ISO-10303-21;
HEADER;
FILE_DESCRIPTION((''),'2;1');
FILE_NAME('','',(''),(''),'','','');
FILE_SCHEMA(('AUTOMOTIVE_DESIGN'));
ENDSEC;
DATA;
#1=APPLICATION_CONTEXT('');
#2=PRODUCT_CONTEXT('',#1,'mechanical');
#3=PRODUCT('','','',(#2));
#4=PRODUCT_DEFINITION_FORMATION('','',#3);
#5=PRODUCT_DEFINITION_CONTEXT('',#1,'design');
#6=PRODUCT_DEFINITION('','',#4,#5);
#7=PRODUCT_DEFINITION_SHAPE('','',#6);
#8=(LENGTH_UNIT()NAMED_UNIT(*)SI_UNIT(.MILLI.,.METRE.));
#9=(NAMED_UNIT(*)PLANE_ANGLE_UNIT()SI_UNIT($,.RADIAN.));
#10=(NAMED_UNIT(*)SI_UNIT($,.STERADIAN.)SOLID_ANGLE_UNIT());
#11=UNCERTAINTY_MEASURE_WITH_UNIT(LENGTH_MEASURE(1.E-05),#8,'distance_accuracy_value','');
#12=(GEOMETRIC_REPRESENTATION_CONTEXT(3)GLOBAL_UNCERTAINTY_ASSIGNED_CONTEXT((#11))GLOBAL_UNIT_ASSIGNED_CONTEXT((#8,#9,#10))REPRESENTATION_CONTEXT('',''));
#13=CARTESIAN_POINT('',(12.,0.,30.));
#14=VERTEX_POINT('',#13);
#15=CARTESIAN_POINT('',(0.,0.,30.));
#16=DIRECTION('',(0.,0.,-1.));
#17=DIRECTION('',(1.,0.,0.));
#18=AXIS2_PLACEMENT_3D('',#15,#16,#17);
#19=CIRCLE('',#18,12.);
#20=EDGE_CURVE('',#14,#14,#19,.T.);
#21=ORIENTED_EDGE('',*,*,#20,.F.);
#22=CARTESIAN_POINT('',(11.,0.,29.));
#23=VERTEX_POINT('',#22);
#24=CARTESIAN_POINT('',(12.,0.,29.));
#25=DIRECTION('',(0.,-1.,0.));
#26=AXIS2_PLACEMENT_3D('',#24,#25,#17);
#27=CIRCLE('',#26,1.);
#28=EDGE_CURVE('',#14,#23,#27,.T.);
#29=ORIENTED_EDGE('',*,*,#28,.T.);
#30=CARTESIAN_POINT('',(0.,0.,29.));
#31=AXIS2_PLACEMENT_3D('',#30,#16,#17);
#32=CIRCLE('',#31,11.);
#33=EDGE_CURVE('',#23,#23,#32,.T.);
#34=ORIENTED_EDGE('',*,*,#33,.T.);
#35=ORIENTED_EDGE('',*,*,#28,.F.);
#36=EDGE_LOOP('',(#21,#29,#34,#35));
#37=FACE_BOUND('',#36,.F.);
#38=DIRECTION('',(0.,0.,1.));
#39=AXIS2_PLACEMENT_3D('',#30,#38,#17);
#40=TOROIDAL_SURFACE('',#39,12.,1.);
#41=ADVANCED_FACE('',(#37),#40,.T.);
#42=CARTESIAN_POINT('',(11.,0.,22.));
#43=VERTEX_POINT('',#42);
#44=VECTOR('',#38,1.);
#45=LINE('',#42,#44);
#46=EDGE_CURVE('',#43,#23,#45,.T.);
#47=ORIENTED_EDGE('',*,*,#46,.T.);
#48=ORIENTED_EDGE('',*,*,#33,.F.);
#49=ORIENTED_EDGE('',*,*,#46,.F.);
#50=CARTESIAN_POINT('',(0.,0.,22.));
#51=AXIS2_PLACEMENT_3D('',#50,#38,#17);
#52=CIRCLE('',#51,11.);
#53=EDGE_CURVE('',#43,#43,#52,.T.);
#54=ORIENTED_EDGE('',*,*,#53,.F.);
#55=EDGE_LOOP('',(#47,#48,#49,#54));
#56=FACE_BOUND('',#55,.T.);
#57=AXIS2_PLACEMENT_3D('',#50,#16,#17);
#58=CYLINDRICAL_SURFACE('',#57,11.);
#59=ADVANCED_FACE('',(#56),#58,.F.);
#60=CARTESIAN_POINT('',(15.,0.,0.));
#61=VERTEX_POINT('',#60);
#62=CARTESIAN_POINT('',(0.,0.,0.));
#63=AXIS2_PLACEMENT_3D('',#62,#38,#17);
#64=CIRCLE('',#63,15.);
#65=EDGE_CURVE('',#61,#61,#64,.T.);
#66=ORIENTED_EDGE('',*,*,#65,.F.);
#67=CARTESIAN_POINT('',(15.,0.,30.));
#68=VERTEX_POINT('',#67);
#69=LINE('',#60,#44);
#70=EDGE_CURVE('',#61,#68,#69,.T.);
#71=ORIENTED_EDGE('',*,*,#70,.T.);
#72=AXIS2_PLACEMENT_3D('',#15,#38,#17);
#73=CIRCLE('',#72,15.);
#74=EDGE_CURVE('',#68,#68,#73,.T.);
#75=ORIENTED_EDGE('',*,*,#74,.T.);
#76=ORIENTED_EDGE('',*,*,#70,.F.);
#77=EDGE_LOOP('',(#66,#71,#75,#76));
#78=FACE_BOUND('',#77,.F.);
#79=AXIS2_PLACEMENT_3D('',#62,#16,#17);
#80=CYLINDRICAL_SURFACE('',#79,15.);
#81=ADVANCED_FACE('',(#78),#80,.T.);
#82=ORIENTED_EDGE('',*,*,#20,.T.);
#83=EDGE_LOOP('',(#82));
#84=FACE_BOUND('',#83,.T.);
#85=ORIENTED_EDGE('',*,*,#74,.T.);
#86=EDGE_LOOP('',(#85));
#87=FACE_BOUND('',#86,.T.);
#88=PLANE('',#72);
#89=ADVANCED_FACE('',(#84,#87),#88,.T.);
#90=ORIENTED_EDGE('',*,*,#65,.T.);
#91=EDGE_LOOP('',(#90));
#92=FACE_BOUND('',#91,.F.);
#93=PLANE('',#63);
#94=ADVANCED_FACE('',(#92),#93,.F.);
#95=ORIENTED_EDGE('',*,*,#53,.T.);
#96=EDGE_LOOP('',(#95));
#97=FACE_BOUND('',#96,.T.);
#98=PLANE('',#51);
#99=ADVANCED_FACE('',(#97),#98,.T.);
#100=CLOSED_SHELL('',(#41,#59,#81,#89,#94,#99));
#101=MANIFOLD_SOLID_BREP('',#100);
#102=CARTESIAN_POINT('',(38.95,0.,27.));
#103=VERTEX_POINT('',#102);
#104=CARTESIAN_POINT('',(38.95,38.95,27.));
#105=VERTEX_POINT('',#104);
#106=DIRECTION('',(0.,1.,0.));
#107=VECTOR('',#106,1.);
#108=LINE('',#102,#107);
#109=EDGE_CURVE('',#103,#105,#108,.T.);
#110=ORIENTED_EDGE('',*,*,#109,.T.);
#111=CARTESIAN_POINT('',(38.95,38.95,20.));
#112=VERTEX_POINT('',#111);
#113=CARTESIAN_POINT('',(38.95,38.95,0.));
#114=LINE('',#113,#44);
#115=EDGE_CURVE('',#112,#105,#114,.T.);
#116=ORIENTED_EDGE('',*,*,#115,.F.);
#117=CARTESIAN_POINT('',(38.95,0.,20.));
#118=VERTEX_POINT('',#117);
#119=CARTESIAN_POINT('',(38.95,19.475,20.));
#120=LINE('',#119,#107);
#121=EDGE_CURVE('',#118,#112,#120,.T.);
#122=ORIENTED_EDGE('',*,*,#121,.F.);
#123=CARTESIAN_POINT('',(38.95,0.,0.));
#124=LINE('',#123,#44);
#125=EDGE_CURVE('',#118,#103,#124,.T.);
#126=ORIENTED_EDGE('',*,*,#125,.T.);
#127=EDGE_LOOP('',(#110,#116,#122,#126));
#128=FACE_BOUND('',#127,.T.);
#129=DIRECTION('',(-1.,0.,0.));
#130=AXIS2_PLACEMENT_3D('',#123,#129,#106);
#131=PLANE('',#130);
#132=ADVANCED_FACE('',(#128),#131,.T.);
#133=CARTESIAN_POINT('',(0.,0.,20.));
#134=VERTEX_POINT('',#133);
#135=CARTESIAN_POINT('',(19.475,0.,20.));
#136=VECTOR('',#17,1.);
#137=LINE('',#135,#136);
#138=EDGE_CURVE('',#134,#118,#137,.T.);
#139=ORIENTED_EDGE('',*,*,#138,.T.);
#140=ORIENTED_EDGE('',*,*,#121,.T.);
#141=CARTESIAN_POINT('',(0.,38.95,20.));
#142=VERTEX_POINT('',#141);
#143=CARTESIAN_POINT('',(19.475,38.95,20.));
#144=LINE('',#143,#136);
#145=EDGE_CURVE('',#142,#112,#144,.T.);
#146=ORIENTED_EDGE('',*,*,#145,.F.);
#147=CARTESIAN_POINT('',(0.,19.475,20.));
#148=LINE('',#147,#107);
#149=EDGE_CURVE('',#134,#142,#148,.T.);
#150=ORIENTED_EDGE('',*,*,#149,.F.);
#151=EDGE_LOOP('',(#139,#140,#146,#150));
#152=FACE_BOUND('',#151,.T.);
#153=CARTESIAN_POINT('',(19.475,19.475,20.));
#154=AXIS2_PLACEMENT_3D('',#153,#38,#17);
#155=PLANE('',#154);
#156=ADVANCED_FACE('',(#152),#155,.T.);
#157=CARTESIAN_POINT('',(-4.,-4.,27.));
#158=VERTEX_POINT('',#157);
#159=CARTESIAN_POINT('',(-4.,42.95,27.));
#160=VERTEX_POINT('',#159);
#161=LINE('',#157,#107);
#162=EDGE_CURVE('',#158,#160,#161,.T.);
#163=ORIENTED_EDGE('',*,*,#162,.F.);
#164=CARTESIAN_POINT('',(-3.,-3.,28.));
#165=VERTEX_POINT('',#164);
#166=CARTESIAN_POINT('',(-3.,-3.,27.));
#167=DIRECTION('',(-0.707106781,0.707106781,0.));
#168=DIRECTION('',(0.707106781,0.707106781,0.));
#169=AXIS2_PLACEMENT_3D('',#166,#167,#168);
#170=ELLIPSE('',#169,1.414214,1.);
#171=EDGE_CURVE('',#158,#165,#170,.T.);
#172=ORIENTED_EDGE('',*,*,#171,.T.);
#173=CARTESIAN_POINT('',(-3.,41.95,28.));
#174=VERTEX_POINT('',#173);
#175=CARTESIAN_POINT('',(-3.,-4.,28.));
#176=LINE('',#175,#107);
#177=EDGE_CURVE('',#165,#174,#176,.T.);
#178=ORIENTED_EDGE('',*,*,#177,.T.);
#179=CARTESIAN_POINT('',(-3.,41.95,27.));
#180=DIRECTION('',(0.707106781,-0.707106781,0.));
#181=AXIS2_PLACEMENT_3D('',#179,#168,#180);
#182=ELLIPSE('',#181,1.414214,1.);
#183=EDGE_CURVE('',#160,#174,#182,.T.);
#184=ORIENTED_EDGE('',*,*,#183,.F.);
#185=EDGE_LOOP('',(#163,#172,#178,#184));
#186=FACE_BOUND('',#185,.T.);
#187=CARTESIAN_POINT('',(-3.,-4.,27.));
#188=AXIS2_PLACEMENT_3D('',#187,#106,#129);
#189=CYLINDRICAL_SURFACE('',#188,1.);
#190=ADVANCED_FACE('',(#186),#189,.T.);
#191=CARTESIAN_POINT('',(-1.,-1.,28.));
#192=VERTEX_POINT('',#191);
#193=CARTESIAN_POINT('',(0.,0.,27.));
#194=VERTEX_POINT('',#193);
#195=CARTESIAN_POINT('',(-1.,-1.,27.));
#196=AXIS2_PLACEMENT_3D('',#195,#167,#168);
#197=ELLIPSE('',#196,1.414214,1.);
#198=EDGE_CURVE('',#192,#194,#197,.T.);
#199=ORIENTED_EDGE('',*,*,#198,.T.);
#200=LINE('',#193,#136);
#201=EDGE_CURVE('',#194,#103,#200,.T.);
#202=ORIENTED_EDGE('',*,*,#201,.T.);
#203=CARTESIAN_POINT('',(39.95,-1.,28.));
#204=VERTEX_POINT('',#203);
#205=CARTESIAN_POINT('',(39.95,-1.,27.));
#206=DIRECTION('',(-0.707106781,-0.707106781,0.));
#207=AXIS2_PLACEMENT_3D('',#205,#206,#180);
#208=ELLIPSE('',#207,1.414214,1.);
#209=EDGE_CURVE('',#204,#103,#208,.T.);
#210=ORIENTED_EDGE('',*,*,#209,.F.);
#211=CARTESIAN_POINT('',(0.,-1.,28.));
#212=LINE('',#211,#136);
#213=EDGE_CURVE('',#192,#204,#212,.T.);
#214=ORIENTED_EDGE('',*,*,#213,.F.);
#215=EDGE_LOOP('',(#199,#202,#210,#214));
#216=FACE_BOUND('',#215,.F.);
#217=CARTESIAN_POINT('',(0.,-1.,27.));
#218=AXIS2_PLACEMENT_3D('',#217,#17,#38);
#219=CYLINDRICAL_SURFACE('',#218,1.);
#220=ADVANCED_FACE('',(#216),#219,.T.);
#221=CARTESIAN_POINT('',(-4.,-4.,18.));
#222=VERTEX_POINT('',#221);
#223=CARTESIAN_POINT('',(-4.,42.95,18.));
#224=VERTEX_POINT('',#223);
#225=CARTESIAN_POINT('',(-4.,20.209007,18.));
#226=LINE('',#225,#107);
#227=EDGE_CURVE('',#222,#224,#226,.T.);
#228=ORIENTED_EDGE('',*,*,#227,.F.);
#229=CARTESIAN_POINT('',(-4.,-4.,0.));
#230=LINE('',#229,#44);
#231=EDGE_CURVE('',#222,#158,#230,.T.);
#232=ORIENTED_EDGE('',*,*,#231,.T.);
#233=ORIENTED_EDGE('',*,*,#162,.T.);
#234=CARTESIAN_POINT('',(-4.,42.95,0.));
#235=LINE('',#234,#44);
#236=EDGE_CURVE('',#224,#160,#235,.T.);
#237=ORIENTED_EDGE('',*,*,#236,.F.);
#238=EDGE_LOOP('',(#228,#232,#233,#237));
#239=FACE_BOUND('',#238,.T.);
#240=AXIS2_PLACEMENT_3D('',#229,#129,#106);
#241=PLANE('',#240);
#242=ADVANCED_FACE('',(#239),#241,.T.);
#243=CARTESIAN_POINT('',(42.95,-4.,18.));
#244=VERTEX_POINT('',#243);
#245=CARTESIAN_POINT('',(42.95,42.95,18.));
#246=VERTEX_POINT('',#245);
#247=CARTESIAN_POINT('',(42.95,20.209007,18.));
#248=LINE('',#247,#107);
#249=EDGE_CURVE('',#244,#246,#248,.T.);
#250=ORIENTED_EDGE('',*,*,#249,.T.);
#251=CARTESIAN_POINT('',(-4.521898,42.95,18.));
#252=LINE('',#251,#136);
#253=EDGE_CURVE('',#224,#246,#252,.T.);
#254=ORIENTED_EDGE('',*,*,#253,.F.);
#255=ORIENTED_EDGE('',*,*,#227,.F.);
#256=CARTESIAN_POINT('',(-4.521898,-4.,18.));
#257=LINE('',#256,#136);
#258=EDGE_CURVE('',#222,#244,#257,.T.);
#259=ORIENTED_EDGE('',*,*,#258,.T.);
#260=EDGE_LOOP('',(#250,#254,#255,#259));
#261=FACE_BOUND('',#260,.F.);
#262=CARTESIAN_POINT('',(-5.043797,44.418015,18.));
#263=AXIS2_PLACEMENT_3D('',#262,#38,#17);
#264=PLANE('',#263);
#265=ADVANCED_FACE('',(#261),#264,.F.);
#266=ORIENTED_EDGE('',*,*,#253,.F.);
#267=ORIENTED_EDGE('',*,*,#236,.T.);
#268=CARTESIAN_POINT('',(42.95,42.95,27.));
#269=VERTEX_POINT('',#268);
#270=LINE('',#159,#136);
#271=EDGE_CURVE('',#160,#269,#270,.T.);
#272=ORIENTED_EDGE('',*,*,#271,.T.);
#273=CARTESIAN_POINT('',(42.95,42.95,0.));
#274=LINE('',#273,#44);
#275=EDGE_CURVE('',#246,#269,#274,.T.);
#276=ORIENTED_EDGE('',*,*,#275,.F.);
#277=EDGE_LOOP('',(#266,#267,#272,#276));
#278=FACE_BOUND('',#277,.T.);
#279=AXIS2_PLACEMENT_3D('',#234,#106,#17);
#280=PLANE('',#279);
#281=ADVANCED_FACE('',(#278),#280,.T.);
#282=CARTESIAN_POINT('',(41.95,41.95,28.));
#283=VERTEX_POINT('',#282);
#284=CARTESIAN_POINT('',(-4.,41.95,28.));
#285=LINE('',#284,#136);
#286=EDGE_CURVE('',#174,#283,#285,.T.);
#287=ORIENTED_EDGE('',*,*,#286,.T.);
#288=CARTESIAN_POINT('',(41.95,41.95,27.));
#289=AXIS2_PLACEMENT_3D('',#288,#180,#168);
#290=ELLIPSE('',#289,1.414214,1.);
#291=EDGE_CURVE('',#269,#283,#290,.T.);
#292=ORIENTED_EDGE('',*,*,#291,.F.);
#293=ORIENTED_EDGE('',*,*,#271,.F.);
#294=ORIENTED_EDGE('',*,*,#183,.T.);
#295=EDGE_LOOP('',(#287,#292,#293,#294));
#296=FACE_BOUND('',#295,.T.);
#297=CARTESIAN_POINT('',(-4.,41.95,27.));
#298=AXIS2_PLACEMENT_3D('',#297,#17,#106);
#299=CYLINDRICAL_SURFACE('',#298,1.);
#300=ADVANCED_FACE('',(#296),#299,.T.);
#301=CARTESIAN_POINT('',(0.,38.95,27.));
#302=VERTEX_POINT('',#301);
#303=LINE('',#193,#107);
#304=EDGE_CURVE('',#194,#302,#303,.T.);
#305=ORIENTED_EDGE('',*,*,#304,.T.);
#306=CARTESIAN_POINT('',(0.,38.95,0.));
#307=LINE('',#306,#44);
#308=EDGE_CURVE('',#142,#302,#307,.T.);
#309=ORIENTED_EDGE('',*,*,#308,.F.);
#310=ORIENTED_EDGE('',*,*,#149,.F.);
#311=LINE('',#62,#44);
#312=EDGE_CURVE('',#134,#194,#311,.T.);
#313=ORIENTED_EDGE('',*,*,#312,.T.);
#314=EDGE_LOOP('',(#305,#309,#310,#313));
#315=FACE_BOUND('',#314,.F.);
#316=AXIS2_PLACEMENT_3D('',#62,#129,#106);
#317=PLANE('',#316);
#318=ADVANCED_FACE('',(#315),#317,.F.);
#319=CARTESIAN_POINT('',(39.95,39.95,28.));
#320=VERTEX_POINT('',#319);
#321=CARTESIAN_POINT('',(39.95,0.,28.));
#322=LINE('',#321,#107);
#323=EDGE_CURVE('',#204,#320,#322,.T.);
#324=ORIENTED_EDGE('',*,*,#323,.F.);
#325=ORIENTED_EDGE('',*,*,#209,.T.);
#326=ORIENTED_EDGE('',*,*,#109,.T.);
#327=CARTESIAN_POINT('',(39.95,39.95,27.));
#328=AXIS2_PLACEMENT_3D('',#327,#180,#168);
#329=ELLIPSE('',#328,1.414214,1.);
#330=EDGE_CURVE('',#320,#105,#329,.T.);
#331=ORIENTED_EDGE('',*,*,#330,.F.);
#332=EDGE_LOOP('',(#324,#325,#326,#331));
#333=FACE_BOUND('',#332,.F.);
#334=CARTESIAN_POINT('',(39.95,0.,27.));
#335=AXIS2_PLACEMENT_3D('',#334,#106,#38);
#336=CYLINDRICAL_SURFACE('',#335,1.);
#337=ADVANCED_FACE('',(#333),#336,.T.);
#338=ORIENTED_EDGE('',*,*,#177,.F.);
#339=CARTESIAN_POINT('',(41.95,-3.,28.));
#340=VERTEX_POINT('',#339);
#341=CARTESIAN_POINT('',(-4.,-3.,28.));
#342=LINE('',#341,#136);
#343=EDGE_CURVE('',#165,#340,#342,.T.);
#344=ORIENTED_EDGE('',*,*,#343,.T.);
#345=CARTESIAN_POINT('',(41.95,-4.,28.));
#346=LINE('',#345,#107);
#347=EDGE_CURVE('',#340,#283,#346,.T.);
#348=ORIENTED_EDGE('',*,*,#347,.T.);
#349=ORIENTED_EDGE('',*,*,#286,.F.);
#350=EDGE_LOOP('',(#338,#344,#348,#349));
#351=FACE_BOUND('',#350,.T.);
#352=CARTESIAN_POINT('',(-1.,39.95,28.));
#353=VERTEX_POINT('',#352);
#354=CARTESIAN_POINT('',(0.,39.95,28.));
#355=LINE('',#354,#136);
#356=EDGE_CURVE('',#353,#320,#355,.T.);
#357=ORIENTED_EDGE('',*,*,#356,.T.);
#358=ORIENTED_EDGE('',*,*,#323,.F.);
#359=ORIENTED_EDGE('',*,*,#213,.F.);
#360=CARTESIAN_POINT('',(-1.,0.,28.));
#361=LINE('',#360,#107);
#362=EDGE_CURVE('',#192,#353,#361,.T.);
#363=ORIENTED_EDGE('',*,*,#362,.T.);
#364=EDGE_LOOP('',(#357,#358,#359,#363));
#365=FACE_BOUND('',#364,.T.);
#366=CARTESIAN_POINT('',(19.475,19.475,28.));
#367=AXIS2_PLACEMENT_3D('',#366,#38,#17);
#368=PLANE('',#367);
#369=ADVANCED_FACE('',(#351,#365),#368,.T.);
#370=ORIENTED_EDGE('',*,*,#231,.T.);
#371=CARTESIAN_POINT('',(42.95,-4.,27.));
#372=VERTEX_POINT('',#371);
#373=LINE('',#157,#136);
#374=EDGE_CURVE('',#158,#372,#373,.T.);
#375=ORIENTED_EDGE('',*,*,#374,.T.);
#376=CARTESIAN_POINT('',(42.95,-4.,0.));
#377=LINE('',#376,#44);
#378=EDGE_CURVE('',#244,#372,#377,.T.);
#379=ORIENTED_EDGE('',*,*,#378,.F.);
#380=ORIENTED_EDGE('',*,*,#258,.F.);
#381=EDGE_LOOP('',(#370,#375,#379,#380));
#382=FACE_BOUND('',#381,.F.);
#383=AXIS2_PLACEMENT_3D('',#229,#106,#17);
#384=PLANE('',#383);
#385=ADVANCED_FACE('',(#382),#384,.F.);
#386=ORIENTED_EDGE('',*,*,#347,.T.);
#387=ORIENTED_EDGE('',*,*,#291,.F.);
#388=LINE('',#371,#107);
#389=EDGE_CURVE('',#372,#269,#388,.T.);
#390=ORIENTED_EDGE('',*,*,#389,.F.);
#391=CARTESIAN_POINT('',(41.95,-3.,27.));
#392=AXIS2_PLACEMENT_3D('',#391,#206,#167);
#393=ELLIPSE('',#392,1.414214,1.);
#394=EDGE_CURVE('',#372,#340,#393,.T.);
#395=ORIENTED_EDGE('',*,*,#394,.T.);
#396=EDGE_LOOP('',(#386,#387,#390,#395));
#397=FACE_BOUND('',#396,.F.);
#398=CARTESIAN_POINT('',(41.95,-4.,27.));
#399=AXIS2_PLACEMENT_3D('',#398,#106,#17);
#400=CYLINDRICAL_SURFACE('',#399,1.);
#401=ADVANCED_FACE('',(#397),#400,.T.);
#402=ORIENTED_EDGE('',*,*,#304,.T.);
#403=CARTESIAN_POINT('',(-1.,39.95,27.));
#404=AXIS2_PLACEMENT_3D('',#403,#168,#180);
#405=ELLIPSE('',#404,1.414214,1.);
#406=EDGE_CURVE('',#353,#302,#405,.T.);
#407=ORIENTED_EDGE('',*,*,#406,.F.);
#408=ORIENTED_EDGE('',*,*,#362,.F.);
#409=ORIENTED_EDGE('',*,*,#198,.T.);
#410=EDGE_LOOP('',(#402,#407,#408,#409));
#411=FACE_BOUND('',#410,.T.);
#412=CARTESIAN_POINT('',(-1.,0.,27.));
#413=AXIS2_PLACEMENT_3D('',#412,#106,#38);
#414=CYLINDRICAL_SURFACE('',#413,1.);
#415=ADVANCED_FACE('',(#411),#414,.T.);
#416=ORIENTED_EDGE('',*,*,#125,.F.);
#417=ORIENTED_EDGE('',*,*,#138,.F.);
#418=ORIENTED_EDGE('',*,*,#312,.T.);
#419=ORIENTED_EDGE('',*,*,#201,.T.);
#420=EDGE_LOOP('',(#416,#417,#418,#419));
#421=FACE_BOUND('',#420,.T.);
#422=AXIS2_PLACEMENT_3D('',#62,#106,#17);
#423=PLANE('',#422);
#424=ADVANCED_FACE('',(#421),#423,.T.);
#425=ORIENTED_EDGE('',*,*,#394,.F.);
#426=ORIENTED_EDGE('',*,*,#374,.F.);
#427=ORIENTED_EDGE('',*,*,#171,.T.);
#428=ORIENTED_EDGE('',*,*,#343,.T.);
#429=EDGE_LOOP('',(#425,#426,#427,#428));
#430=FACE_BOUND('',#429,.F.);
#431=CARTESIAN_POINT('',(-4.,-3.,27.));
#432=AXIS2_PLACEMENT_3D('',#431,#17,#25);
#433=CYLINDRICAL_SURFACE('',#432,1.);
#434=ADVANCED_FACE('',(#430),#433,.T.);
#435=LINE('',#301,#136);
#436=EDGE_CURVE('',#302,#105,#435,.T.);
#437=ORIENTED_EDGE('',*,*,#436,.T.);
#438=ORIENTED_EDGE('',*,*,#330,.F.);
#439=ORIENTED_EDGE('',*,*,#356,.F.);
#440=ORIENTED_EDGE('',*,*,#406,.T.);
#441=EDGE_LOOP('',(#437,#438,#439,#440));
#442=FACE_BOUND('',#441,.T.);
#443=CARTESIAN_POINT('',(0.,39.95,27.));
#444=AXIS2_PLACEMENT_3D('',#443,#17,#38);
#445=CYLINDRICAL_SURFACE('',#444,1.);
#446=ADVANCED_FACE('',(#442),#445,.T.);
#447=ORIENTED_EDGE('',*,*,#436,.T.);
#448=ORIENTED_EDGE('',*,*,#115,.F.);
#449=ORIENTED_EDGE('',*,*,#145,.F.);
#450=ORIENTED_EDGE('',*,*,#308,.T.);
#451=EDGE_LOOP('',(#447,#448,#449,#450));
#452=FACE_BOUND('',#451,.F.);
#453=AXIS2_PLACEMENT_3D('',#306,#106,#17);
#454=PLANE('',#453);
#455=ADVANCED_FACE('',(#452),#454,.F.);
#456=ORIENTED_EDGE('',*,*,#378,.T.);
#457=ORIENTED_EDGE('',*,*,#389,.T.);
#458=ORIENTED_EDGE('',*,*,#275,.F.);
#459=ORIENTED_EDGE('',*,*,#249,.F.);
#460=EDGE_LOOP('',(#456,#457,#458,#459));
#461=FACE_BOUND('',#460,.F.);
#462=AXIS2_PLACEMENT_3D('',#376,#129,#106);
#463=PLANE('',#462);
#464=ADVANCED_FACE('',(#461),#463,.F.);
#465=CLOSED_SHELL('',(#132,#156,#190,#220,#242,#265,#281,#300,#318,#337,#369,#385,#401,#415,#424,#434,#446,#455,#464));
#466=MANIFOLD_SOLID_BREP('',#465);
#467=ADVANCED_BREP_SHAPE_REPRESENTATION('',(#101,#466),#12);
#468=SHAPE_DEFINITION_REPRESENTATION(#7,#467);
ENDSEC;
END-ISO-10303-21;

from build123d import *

# Parameters (mm, degrees)
SKETCH_W        = 46.95
SKETCH_H        = 46.95
SKETCH_W_2      = 38.95
SKETCH_H_2      = 38.95
PAD_DEPTH       = 28
SKETCH001_W     = 38.95
SKETCH001_H     = 38.95
PAD001_DEPTH    = 20
FILLET_R        = 1
SKETCH002_R     = 74.3428
POCKET_DEPTH    = 18
SKETCH003_R     = 15
PAD002_DEPTH    = 30
SKETCH004_R     = 11
POCKET001_DEPTH = 8.001
FILLET001_R     = 1


with BuildPart() as body:
    # Sketch → Pad (new body)
    with BuildSketch(Plane.XY):
        with Locations((19.475, 19.475)):
            Rectangle(SKETCH_W, SKETCH_H)
        with Locations((19.475, 19.475)):
            Rectangle(SKETCH_W_2, SKETCH_H_2, mode=Mode.SUBTRACT)
    extrude(amount=PAD_DEPTH)

    # Sketch001 → Pad001 (join)
    with BuildSketch(Plane.XY):
        with Locations((19.475, 19.475)):
            Rectangle(SKETCH001_W, SKETCH001_H)
    extrude(amount=PAD001_DEPTH)

    # Fillet
    fillet_edges = [body.edges().sort_by_distance(p)[0] for p in [
        (19.475, 42.95, 28),
        (42.95, 19.475, 28),
        (19.475, -4, 28),
        (-4, 19.475, 28),
        (19.475, 0, 28),
        (38.95, 19.475, 28),
        (19.475, 38.95, 28),
        (0, 19.475, 28),
    ]]
    fillet(fillet_edges, radius=FILLET_R)

    # Sketch002 → Pocket (cut)
    with BuildSketch(Plane.XY):
        with Locations((-5.043797, 44.418015)):
            Circle(SKETCH002_R)
    extrude(amount=POCKET_DEPTH, mode=Mode.SUBTRACT)


with BuildPart() as body001shelfcenter:
    # Sketch003 → Pad002 (new body)
    with BuildSketch(Plane.XY):
        Circle(SKETCH003_R)
    extrude(amount=PAD002_DEPTH)

    # Sketch004 → Pocket001 (cut, through all)
    with BuildSketch(Plane.XY.offset(22)):
        Circle(SKETCH004_R)
    extrude(amount=POCKET001_DEPTH, mode=Mode.SUBTRACT)

    # Fillet001
    fillet001_edges = [body001shelfcenter.edges().sort_by_distance(p)[0] for p in [
        (-11, 0, 30),
    ]]
    fillet(fillet001_edges, radius=FILLET001_R)


solid = Compound([body.part, body001shelfcenter.part])
